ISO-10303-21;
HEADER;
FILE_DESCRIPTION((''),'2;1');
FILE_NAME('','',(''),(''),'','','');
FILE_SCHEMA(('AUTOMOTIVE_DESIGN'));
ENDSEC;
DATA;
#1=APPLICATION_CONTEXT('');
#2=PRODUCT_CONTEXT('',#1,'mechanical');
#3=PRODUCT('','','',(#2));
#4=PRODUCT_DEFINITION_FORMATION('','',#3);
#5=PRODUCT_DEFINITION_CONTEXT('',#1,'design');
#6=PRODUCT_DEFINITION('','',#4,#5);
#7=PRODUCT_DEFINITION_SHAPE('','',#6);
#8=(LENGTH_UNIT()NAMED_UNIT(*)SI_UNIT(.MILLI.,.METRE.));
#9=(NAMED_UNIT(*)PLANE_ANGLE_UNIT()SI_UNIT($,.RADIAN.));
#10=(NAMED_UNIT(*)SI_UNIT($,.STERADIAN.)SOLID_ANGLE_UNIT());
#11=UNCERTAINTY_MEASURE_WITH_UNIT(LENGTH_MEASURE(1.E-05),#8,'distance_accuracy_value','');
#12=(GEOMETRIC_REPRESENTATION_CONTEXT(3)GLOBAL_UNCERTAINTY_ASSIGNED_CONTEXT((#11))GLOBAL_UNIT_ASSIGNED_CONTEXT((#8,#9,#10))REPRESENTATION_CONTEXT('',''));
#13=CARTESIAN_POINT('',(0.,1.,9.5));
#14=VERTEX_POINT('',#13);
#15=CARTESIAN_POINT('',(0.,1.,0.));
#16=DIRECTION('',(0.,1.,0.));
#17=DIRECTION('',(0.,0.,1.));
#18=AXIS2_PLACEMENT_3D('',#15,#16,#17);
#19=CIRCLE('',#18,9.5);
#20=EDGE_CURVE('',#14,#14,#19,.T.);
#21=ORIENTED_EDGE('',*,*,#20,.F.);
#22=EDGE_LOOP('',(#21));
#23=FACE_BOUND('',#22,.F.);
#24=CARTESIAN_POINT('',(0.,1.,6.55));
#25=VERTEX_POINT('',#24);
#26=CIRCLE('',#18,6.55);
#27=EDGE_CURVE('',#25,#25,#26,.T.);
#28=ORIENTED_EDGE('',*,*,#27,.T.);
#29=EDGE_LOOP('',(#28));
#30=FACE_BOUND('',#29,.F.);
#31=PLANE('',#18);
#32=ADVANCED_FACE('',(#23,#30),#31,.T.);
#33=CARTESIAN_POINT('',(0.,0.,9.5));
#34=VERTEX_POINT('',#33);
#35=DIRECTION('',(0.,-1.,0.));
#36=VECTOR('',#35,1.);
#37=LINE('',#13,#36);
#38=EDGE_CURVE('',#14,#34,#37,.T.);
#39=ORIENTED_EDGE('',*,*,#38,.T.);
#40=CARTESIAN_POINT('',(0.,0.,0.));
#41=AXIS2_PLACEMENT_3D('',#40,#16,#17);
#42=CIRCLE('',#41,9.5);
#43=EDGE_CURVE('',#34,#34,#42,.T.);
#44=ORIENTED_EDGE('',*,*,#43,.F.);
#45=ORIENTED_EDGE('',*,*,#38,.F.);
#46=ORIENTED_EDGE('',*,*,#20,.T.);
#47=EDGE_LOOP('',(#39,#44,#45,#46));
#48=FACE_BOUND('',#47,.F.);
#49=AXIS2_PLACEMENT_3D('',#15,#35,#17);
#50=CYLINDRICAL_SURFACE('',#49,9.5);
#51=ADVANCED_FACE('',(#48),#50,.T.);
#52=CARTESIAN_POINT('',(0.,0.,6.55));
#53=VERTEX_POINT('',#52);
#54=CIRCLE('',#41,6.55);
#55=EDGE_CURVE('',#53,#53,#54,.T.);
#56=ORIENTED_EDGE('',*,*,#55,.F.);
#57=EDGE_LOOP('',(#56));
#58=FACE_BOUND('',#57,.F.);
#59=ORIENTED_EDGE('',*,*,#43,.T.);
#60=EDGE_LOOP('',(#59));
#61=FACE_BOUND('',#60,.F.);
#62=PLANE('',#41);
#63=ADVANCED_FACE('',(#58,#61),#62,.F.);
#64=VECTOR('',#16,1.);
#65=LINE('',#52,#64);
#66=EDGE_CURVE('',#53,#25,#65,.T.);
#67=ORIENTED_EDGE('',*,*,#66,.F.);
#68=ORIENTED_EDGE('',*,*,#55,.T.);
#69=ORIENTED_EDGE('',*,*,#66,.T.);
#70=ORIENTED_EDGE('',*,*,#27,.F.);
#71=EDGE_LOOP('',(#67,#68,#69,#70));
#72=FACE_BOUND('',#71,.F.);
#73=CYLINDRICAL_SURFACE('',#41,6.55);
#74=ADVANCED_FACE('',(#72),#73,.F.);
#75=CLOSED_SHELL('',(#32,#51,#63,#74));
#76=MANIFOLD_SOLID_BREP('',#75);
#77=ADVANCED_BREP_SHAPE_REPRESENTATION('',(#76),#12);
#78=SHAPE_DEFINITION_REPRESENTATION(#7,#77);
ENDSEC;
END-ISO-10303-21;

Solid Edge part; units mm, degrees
sketch "Sketch1" plane through (0, 0, 0) normal (1, 0, 0) x (0, 1, 0)
  line L0 (1, 6.55) -> (1, 9.5)
  line L1 (1, 9.5) -> (0, 9.5)
  line L2 (0, 9.5) -> (0, 6.55)
  line L3 (0, 6.55) -> (1, 6.55)
  dimension "D1" = 1
  dimension "D2" = 1
revolve "RevolvedProtrusion1" add sketch "Sketch1" angle 360 about axis through (0, 0, 0) along (0, 1, 0)
properties part number "WASHER1" material "510 Copper"
